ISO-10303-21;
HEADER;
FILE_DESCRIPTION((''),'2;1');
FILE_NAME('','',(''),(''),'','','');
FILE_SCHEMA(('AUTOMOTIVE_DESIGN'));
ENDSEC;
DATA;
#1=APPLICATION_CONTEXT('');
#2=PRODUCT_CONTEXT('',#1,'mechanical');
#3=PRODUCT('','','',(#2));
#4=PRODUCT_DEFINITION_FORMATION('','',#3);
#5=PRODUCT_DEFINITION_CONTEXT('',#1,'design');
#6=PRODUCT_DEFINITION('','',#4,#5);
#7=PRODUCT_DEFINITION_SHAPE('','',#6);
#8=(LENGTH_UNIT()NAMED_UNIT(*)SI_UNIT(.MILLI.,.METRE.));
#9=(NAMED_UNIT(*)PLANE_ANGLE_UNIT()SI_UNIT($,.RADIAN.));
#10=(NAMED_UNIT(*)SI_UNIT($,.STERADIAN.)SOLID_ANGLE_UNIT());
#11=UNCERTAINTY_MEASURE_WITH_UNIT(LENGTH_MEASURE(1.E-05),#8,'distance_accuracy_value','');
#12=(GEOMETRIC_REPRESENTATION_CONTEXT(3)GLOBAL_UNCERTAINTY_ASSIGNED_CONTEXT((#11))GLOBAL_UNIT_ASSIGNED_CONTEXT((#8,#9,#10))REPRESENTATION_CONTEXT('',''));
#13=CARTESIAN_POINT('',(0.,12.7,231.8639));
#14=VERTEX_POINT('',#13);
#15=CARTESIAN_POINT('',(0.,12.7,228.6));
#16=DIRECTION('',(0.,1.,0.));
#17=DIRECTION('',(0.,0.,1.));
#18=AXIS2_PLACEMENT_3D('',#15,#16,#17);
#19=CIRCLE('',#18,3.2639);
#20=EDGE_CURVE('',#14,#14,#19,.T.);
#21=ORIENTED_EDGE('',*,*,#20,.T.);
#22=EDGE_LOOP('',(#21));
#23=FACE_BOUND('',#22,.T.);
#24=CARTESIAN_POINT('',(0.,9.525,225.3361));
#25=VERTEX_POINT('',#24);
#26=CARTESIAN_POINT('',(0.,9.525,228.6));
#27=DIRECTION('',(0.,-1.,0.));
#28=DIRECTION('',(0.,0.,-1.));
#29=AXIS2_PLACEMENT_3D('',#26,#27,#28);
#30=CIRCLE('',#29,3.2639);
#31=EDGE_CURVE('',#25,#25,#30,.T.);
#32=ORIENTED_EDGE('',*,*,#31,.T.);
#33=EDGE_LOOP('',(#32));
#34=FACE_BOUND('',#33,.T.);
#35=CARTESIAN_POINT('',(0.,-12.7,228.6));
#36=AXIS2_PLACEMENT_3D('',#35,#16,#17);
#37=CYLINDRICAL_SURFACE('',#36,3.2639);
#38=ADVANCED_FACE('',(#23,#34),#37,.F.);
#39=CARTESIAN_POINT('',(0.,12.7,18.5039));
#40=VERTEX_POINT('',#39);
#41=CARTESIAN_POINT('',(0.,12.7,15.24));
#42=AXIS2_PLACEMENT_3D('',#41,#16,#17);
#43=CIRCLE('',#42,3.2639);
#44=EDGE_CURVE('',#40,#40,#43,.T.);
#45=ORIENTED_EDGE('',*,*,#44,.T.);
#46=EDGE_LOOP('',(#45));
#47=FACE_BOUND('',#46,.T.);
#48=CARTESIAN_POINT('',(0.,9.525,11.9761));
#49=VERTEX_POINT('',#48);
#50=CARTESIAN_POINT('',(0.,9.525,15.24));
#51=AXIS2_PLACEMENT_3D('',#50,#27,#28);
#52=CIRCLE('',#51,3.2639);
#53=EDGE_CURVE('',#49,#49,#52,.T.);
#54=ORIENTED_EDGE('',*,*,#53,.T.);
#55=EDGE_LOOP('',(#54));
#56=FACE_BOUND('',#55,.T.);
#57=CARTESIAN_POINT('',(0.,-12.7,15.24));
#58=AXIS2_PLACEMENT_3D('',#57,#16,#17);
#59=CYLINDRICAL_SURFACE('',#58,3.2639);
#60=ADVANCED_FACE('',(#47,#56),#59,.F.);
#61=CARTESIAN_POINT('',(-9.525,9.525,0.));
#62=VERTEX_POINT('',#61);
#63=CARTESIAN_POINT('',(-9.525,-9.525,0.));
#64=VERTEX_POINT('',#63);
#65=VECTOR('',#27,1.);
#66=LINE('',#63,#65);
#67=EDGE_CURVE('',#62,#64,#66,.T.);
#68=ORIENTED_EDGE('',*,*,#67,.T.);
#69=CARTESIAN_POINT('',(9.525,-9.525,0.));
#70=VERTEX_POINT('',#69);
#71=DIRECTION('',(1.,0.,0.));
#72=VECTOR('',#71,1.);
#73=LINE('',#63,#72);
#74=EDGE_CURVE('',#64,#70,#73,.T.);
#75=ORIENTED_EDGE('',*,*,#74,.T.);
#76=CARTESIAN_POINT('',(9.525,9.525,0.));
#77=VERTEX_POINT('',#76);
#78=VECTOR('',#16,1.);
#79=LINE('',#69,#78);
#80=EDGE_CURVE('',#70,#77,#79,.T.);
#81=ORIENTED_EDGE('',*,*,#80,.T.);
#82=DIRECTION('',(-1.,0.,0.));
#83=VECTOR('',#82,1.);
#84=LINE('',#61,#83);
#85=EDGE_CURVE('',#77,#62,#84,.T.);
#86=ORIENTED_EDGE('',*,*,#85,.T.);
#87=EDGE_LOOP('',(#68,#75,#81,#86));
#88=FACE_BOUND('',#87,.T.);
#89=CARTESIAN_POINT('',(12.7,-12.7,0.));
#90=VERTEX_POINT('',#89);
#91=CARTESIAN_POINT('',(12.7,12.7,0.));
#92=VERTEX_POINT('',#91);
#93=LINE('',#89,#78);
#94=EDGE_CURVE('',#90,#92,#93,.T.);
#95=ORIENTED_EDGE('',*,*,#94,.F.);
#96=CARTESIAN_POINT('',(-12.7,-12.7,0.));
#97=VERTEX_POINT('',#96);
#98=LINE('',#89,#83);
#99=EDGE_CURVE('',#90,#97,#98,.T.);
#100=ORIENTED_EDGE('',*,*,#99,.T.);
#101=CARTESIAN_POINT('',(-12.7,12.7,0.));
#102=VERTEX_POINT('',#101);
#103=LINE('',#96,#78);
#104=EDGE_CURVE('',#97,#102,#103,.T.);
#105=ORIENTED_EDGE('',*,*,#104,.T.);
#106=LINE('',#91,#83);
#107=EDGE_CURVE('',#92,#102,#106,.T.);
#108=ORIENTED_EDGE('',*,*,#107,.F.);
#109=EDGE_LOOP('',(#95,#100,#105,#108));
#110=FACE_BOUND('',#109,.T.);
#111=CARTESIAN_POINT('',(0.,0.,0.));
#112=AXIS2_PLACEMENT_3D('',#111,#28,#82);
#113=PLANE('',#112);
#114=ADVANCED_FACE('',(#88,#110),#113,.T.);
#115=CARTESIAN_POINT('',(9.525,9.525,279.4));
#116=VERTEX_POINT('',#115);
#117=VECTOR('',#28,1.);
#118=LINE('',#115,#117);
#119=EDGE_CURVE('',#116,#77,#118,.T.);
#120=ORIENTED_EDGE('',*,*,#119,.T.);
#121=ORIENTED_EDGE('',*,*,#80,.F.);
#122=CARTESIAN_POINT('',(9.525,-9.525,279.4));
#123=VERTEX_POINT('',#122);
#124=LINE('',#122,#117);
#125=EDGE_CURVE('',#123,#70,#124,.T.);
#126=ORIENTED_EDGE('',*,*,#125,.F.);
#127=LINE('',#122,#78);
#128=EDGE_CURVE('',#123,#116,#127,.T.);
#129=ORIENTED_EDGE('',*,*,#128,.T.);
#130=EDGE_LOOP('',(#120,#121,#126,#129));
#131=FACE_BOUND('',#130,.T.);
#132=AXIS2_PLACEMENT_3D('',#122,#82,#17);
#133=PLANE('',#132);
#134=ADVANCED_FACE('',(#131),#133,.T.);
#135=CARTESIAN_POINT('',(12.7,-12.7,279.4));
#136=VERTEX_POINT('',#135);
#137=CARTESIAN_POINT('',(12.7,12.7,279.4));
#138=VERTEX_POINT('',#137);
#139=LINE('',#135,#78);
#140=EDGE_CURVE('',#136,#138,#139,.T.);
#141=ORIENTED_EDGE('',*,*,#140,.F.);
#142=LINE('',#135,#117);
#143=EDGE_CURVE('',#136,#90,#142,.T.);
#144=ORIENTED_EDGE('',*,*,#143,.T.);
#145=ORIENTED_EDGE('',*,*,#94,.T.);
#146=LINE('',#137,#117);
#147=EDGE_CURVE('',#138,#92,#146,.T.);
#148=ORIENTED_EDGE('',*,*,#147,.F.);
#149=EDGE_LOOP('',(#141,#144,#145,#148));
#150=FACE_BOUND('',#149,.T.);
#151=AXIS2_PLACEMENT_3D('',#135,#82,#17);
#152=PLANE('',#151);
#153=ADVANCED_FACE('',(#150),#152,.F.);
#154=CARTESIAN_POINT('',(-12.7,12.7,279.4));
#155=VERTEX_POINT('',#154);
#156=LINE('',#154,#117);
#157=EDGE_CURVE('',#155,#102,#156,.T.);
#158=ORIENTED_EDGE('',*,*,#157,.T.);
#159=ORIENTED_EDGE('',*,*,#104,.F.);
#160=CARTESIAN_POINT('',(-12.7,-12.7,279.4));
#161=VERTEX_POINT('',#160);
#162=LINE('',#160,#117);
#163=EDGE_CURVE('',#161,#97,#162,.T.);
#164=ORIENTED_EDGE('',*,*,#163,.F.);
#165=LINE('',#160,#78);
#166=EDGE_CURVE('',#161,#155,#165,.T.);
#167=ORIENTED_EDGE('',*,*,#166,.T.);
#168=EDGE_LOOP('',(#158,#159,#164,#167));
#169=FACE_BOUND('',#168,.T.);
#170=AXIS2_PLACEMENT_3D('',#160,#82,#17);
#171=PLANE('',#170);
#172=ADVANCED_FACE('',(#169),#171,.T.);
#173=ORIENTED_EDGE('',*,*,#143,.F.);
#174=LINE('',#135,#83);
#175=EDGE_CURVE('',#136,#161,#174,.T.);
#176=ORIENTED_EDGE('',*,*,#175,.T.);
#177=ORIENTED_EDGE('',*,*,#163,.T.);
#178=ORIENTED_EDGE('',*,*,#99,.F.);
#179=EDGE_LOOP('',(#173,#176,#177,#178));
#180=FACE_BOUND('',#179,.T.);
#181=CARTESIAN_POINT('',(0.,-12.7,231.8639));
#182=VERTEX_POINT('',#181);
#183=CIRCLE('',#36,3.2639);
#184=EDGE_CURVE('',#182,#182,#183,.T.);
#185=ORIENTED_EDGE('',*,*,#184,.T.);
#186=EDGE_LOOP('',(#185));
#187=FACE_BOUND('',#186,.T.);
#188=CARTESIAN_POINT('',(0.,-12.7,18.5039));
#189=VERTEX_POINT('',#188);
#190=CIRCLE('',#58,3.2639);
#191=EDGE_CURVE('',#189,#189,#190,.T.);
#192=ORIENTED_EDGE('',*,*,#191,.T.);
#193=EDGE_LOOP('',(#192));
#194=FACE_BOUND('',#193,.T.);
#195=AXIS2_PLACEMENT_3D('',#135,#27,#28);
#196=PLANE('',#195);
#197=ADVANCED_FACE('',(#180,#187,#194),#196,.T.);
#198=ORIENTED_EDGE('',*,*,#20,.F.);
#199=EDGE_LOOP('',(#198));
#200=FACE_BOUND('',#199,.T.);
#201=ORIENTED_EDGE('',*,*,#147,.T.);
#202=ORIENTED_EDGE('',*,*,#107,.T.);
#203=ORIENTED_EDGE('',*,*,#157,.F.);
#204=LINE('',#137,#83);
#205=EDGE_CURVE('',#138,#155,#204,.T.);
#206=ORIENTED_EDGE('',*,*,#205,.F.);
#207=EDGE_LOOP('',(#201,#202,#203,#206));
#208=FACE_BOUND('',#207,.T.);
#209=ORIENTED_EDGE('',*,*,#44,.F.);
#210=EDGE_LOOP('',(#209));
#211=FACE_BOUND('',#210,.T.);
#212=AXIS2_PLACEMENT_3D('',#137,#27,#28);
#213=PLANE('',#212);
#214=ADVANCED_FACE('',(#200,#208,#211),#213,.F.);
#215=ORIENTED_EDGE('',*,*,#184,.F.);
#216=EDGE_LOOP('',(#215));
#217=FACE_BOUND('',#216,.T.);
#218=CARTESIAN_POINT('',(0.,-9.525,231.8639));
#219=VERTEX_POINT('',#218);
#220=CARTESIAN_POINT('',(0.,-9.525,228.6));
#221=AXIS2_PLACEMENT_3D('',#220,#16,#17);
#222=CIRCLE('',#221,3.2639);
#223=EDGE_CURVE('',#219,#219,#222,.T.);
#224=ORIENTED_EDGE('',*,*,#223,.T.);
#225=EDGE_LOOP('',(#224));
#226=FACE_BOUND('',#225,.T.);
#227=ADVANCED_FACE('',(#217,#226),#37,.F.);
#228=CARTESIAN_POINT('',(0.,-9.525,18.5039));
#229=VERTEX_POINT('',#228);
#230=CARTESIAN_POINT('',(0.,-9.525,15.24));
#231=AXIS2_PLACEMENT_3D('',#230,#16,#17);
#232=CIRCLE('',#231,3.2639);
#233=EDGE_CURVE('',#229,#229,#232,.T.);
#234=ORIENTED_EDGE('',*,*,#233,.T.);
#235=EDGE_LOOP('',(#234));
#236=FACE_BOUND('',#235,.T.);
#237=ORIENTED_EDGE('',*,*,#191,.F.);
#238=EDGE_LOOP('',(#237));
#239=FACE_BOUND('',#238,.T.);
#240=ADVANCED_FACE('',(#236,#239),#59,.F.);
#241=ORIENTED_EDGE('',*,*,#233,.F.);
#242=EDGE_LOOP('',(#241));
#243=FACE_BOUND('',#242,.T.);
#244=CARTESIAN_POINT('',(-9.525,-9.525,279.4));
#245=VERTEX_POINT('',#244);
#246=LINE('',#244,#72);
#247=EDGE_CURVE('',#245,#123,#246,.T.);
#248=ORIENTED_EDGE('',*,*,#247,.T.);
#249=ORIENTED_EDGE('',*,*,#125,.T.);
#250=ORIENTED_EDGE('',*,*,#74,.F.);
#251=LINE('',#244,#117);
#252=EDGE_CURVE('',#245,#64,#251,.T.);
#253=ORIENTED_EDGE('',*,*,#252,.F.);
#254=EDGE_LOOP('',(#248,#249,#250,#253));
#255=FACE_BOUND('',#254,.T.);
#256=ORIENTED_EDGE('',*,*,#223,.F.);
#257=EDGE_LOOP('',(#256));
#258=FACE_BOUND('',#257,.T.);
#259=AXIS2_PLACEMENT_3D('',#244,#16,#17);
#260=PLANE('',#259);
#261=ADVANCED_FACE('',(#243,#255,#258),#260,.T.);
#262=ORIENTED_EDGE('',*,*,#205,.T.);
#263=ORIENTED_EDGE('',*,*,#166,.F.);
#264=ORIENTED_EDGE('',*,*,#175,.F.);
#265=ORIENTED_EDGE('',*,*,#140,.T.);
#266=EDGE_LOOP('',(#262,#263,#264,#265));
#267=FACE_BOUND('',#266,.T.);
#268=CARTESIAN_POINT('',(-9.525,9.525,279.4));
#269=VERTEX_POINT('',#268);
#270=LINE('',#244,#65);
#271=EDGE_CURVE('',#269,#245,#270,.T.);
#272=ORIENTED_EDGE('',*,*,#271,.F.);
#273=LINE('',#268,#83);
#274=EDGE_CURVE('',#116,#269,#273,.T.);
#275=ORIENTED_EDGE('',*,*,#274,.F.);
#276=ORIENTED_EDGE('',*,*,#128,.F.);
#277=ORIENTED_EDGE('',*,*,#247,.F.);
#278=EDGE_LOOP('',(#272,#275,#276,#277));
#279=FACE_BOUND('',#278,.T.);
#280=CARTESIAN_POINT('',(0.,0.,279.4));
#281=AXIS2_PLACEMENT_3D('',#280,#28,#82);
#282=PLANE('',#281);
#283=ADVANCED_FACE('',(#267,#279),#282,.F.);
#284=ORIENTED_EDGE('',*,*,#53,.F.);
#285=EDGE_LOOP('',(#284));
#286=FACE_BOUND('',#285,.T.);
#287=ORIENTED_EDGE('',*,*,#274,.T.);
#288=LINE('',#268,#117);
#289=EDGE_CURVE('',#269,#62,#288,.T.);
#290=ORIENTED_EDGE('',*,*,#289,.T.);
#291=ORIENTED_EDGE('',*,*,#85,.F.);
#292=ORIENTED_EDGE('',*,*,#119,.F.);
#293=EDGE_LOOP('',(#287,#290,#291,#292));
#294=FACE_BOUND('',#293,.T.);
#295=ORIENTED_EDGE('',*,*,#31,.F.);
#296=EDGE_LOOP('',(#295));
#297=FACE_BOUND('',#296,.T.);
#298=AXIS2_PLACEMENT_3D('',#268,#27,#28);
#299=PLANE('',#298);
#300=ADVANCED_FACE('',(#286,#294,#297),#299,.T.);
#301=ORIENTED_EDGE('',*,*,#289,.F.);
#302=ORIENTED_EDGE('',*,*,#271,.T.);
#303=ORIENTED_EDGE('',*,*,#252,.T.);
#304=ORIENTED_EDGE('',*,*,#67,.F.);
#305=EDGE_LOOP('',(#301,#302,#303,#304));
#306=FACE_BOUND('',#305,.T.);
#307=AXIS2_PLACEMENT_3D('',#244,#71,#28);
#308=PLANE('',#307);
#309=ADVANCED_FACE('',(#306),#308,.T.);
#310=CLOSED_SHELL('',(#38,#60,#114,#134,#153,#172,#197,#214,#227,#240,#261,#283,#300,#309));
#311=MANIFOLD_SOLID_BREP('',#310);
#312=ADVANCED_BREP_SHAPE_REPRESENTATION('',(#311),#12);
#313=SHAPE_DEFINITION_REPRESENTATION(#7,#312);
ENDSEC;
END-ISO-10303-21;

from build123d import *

# Parameters (mm, degrees)
SKETCH2_W           = 25.4
SKETCH2_H           = 25.4
BOSS_EXTRUDE1_DEPTH = 279.4
SKETCH4_W           = 19.05
SKETCH4_H           = 19.05
CUT_EXTRUDE1_DEPTH  = 280.9766776
SKETCH5_R           = 3.2639
CUT_EXTRUDE2_DEPTH  = 281.839473721
SKETCH6_R           = 3.2639
CUT_EXTRUDE3_DEPTH  = 281.839473721


with BuildPart() as part:
    # Sketch2 → Boss-Extrude1 (new body)
    with BuildSketch(Plane.XY):
        Rectangle(SKETCH2_W, SKETCH2_H)
    extrude(amount=BOSS_EXTRUDE1_DEPTH)

    # Sketch4 → Cut-Extrude1 (cut, through all)
    with BuildSketch(Plane.XY):
        Rectangle(SKETCH4_W, SKETCH4_H)
    extrude(amount=CUT_EXTRUDE1_DEPTH, mode=Mode.SUBTRACT)

    # Sketch5 → Cut-Extrude2 (cut, through all)
    with BuildSketch(Plane(origin=(0, 12.7, 0), x_dir=(1, 0, 0), z_dir=(0, 1, 0))):
        with Locations(Location((0, -15.24, 0), (0, 0, 270))):
            Circle(SKETCH5_R)
    extrude(amount=-CUT_EXTRUDE2_DEPTH, mode=Mode.SUBTRACT)

    # Sketch6 → Cut-Extrude3 (cut, through all)
    with BuildSketch(Plane(origin=(0, 12.7, 0), x_dir=(1, 0, 0), z_dir=(0, 1, 0))):
        with Locations(Location((0, -228.6, 0), (0, 0, 270))):
            Circle(SKETCH6_R)
    extrude(amount=-CUT_EXTRUDE3_DEPTH, mode=Mode.SUBTRACT)


solid = part.part
